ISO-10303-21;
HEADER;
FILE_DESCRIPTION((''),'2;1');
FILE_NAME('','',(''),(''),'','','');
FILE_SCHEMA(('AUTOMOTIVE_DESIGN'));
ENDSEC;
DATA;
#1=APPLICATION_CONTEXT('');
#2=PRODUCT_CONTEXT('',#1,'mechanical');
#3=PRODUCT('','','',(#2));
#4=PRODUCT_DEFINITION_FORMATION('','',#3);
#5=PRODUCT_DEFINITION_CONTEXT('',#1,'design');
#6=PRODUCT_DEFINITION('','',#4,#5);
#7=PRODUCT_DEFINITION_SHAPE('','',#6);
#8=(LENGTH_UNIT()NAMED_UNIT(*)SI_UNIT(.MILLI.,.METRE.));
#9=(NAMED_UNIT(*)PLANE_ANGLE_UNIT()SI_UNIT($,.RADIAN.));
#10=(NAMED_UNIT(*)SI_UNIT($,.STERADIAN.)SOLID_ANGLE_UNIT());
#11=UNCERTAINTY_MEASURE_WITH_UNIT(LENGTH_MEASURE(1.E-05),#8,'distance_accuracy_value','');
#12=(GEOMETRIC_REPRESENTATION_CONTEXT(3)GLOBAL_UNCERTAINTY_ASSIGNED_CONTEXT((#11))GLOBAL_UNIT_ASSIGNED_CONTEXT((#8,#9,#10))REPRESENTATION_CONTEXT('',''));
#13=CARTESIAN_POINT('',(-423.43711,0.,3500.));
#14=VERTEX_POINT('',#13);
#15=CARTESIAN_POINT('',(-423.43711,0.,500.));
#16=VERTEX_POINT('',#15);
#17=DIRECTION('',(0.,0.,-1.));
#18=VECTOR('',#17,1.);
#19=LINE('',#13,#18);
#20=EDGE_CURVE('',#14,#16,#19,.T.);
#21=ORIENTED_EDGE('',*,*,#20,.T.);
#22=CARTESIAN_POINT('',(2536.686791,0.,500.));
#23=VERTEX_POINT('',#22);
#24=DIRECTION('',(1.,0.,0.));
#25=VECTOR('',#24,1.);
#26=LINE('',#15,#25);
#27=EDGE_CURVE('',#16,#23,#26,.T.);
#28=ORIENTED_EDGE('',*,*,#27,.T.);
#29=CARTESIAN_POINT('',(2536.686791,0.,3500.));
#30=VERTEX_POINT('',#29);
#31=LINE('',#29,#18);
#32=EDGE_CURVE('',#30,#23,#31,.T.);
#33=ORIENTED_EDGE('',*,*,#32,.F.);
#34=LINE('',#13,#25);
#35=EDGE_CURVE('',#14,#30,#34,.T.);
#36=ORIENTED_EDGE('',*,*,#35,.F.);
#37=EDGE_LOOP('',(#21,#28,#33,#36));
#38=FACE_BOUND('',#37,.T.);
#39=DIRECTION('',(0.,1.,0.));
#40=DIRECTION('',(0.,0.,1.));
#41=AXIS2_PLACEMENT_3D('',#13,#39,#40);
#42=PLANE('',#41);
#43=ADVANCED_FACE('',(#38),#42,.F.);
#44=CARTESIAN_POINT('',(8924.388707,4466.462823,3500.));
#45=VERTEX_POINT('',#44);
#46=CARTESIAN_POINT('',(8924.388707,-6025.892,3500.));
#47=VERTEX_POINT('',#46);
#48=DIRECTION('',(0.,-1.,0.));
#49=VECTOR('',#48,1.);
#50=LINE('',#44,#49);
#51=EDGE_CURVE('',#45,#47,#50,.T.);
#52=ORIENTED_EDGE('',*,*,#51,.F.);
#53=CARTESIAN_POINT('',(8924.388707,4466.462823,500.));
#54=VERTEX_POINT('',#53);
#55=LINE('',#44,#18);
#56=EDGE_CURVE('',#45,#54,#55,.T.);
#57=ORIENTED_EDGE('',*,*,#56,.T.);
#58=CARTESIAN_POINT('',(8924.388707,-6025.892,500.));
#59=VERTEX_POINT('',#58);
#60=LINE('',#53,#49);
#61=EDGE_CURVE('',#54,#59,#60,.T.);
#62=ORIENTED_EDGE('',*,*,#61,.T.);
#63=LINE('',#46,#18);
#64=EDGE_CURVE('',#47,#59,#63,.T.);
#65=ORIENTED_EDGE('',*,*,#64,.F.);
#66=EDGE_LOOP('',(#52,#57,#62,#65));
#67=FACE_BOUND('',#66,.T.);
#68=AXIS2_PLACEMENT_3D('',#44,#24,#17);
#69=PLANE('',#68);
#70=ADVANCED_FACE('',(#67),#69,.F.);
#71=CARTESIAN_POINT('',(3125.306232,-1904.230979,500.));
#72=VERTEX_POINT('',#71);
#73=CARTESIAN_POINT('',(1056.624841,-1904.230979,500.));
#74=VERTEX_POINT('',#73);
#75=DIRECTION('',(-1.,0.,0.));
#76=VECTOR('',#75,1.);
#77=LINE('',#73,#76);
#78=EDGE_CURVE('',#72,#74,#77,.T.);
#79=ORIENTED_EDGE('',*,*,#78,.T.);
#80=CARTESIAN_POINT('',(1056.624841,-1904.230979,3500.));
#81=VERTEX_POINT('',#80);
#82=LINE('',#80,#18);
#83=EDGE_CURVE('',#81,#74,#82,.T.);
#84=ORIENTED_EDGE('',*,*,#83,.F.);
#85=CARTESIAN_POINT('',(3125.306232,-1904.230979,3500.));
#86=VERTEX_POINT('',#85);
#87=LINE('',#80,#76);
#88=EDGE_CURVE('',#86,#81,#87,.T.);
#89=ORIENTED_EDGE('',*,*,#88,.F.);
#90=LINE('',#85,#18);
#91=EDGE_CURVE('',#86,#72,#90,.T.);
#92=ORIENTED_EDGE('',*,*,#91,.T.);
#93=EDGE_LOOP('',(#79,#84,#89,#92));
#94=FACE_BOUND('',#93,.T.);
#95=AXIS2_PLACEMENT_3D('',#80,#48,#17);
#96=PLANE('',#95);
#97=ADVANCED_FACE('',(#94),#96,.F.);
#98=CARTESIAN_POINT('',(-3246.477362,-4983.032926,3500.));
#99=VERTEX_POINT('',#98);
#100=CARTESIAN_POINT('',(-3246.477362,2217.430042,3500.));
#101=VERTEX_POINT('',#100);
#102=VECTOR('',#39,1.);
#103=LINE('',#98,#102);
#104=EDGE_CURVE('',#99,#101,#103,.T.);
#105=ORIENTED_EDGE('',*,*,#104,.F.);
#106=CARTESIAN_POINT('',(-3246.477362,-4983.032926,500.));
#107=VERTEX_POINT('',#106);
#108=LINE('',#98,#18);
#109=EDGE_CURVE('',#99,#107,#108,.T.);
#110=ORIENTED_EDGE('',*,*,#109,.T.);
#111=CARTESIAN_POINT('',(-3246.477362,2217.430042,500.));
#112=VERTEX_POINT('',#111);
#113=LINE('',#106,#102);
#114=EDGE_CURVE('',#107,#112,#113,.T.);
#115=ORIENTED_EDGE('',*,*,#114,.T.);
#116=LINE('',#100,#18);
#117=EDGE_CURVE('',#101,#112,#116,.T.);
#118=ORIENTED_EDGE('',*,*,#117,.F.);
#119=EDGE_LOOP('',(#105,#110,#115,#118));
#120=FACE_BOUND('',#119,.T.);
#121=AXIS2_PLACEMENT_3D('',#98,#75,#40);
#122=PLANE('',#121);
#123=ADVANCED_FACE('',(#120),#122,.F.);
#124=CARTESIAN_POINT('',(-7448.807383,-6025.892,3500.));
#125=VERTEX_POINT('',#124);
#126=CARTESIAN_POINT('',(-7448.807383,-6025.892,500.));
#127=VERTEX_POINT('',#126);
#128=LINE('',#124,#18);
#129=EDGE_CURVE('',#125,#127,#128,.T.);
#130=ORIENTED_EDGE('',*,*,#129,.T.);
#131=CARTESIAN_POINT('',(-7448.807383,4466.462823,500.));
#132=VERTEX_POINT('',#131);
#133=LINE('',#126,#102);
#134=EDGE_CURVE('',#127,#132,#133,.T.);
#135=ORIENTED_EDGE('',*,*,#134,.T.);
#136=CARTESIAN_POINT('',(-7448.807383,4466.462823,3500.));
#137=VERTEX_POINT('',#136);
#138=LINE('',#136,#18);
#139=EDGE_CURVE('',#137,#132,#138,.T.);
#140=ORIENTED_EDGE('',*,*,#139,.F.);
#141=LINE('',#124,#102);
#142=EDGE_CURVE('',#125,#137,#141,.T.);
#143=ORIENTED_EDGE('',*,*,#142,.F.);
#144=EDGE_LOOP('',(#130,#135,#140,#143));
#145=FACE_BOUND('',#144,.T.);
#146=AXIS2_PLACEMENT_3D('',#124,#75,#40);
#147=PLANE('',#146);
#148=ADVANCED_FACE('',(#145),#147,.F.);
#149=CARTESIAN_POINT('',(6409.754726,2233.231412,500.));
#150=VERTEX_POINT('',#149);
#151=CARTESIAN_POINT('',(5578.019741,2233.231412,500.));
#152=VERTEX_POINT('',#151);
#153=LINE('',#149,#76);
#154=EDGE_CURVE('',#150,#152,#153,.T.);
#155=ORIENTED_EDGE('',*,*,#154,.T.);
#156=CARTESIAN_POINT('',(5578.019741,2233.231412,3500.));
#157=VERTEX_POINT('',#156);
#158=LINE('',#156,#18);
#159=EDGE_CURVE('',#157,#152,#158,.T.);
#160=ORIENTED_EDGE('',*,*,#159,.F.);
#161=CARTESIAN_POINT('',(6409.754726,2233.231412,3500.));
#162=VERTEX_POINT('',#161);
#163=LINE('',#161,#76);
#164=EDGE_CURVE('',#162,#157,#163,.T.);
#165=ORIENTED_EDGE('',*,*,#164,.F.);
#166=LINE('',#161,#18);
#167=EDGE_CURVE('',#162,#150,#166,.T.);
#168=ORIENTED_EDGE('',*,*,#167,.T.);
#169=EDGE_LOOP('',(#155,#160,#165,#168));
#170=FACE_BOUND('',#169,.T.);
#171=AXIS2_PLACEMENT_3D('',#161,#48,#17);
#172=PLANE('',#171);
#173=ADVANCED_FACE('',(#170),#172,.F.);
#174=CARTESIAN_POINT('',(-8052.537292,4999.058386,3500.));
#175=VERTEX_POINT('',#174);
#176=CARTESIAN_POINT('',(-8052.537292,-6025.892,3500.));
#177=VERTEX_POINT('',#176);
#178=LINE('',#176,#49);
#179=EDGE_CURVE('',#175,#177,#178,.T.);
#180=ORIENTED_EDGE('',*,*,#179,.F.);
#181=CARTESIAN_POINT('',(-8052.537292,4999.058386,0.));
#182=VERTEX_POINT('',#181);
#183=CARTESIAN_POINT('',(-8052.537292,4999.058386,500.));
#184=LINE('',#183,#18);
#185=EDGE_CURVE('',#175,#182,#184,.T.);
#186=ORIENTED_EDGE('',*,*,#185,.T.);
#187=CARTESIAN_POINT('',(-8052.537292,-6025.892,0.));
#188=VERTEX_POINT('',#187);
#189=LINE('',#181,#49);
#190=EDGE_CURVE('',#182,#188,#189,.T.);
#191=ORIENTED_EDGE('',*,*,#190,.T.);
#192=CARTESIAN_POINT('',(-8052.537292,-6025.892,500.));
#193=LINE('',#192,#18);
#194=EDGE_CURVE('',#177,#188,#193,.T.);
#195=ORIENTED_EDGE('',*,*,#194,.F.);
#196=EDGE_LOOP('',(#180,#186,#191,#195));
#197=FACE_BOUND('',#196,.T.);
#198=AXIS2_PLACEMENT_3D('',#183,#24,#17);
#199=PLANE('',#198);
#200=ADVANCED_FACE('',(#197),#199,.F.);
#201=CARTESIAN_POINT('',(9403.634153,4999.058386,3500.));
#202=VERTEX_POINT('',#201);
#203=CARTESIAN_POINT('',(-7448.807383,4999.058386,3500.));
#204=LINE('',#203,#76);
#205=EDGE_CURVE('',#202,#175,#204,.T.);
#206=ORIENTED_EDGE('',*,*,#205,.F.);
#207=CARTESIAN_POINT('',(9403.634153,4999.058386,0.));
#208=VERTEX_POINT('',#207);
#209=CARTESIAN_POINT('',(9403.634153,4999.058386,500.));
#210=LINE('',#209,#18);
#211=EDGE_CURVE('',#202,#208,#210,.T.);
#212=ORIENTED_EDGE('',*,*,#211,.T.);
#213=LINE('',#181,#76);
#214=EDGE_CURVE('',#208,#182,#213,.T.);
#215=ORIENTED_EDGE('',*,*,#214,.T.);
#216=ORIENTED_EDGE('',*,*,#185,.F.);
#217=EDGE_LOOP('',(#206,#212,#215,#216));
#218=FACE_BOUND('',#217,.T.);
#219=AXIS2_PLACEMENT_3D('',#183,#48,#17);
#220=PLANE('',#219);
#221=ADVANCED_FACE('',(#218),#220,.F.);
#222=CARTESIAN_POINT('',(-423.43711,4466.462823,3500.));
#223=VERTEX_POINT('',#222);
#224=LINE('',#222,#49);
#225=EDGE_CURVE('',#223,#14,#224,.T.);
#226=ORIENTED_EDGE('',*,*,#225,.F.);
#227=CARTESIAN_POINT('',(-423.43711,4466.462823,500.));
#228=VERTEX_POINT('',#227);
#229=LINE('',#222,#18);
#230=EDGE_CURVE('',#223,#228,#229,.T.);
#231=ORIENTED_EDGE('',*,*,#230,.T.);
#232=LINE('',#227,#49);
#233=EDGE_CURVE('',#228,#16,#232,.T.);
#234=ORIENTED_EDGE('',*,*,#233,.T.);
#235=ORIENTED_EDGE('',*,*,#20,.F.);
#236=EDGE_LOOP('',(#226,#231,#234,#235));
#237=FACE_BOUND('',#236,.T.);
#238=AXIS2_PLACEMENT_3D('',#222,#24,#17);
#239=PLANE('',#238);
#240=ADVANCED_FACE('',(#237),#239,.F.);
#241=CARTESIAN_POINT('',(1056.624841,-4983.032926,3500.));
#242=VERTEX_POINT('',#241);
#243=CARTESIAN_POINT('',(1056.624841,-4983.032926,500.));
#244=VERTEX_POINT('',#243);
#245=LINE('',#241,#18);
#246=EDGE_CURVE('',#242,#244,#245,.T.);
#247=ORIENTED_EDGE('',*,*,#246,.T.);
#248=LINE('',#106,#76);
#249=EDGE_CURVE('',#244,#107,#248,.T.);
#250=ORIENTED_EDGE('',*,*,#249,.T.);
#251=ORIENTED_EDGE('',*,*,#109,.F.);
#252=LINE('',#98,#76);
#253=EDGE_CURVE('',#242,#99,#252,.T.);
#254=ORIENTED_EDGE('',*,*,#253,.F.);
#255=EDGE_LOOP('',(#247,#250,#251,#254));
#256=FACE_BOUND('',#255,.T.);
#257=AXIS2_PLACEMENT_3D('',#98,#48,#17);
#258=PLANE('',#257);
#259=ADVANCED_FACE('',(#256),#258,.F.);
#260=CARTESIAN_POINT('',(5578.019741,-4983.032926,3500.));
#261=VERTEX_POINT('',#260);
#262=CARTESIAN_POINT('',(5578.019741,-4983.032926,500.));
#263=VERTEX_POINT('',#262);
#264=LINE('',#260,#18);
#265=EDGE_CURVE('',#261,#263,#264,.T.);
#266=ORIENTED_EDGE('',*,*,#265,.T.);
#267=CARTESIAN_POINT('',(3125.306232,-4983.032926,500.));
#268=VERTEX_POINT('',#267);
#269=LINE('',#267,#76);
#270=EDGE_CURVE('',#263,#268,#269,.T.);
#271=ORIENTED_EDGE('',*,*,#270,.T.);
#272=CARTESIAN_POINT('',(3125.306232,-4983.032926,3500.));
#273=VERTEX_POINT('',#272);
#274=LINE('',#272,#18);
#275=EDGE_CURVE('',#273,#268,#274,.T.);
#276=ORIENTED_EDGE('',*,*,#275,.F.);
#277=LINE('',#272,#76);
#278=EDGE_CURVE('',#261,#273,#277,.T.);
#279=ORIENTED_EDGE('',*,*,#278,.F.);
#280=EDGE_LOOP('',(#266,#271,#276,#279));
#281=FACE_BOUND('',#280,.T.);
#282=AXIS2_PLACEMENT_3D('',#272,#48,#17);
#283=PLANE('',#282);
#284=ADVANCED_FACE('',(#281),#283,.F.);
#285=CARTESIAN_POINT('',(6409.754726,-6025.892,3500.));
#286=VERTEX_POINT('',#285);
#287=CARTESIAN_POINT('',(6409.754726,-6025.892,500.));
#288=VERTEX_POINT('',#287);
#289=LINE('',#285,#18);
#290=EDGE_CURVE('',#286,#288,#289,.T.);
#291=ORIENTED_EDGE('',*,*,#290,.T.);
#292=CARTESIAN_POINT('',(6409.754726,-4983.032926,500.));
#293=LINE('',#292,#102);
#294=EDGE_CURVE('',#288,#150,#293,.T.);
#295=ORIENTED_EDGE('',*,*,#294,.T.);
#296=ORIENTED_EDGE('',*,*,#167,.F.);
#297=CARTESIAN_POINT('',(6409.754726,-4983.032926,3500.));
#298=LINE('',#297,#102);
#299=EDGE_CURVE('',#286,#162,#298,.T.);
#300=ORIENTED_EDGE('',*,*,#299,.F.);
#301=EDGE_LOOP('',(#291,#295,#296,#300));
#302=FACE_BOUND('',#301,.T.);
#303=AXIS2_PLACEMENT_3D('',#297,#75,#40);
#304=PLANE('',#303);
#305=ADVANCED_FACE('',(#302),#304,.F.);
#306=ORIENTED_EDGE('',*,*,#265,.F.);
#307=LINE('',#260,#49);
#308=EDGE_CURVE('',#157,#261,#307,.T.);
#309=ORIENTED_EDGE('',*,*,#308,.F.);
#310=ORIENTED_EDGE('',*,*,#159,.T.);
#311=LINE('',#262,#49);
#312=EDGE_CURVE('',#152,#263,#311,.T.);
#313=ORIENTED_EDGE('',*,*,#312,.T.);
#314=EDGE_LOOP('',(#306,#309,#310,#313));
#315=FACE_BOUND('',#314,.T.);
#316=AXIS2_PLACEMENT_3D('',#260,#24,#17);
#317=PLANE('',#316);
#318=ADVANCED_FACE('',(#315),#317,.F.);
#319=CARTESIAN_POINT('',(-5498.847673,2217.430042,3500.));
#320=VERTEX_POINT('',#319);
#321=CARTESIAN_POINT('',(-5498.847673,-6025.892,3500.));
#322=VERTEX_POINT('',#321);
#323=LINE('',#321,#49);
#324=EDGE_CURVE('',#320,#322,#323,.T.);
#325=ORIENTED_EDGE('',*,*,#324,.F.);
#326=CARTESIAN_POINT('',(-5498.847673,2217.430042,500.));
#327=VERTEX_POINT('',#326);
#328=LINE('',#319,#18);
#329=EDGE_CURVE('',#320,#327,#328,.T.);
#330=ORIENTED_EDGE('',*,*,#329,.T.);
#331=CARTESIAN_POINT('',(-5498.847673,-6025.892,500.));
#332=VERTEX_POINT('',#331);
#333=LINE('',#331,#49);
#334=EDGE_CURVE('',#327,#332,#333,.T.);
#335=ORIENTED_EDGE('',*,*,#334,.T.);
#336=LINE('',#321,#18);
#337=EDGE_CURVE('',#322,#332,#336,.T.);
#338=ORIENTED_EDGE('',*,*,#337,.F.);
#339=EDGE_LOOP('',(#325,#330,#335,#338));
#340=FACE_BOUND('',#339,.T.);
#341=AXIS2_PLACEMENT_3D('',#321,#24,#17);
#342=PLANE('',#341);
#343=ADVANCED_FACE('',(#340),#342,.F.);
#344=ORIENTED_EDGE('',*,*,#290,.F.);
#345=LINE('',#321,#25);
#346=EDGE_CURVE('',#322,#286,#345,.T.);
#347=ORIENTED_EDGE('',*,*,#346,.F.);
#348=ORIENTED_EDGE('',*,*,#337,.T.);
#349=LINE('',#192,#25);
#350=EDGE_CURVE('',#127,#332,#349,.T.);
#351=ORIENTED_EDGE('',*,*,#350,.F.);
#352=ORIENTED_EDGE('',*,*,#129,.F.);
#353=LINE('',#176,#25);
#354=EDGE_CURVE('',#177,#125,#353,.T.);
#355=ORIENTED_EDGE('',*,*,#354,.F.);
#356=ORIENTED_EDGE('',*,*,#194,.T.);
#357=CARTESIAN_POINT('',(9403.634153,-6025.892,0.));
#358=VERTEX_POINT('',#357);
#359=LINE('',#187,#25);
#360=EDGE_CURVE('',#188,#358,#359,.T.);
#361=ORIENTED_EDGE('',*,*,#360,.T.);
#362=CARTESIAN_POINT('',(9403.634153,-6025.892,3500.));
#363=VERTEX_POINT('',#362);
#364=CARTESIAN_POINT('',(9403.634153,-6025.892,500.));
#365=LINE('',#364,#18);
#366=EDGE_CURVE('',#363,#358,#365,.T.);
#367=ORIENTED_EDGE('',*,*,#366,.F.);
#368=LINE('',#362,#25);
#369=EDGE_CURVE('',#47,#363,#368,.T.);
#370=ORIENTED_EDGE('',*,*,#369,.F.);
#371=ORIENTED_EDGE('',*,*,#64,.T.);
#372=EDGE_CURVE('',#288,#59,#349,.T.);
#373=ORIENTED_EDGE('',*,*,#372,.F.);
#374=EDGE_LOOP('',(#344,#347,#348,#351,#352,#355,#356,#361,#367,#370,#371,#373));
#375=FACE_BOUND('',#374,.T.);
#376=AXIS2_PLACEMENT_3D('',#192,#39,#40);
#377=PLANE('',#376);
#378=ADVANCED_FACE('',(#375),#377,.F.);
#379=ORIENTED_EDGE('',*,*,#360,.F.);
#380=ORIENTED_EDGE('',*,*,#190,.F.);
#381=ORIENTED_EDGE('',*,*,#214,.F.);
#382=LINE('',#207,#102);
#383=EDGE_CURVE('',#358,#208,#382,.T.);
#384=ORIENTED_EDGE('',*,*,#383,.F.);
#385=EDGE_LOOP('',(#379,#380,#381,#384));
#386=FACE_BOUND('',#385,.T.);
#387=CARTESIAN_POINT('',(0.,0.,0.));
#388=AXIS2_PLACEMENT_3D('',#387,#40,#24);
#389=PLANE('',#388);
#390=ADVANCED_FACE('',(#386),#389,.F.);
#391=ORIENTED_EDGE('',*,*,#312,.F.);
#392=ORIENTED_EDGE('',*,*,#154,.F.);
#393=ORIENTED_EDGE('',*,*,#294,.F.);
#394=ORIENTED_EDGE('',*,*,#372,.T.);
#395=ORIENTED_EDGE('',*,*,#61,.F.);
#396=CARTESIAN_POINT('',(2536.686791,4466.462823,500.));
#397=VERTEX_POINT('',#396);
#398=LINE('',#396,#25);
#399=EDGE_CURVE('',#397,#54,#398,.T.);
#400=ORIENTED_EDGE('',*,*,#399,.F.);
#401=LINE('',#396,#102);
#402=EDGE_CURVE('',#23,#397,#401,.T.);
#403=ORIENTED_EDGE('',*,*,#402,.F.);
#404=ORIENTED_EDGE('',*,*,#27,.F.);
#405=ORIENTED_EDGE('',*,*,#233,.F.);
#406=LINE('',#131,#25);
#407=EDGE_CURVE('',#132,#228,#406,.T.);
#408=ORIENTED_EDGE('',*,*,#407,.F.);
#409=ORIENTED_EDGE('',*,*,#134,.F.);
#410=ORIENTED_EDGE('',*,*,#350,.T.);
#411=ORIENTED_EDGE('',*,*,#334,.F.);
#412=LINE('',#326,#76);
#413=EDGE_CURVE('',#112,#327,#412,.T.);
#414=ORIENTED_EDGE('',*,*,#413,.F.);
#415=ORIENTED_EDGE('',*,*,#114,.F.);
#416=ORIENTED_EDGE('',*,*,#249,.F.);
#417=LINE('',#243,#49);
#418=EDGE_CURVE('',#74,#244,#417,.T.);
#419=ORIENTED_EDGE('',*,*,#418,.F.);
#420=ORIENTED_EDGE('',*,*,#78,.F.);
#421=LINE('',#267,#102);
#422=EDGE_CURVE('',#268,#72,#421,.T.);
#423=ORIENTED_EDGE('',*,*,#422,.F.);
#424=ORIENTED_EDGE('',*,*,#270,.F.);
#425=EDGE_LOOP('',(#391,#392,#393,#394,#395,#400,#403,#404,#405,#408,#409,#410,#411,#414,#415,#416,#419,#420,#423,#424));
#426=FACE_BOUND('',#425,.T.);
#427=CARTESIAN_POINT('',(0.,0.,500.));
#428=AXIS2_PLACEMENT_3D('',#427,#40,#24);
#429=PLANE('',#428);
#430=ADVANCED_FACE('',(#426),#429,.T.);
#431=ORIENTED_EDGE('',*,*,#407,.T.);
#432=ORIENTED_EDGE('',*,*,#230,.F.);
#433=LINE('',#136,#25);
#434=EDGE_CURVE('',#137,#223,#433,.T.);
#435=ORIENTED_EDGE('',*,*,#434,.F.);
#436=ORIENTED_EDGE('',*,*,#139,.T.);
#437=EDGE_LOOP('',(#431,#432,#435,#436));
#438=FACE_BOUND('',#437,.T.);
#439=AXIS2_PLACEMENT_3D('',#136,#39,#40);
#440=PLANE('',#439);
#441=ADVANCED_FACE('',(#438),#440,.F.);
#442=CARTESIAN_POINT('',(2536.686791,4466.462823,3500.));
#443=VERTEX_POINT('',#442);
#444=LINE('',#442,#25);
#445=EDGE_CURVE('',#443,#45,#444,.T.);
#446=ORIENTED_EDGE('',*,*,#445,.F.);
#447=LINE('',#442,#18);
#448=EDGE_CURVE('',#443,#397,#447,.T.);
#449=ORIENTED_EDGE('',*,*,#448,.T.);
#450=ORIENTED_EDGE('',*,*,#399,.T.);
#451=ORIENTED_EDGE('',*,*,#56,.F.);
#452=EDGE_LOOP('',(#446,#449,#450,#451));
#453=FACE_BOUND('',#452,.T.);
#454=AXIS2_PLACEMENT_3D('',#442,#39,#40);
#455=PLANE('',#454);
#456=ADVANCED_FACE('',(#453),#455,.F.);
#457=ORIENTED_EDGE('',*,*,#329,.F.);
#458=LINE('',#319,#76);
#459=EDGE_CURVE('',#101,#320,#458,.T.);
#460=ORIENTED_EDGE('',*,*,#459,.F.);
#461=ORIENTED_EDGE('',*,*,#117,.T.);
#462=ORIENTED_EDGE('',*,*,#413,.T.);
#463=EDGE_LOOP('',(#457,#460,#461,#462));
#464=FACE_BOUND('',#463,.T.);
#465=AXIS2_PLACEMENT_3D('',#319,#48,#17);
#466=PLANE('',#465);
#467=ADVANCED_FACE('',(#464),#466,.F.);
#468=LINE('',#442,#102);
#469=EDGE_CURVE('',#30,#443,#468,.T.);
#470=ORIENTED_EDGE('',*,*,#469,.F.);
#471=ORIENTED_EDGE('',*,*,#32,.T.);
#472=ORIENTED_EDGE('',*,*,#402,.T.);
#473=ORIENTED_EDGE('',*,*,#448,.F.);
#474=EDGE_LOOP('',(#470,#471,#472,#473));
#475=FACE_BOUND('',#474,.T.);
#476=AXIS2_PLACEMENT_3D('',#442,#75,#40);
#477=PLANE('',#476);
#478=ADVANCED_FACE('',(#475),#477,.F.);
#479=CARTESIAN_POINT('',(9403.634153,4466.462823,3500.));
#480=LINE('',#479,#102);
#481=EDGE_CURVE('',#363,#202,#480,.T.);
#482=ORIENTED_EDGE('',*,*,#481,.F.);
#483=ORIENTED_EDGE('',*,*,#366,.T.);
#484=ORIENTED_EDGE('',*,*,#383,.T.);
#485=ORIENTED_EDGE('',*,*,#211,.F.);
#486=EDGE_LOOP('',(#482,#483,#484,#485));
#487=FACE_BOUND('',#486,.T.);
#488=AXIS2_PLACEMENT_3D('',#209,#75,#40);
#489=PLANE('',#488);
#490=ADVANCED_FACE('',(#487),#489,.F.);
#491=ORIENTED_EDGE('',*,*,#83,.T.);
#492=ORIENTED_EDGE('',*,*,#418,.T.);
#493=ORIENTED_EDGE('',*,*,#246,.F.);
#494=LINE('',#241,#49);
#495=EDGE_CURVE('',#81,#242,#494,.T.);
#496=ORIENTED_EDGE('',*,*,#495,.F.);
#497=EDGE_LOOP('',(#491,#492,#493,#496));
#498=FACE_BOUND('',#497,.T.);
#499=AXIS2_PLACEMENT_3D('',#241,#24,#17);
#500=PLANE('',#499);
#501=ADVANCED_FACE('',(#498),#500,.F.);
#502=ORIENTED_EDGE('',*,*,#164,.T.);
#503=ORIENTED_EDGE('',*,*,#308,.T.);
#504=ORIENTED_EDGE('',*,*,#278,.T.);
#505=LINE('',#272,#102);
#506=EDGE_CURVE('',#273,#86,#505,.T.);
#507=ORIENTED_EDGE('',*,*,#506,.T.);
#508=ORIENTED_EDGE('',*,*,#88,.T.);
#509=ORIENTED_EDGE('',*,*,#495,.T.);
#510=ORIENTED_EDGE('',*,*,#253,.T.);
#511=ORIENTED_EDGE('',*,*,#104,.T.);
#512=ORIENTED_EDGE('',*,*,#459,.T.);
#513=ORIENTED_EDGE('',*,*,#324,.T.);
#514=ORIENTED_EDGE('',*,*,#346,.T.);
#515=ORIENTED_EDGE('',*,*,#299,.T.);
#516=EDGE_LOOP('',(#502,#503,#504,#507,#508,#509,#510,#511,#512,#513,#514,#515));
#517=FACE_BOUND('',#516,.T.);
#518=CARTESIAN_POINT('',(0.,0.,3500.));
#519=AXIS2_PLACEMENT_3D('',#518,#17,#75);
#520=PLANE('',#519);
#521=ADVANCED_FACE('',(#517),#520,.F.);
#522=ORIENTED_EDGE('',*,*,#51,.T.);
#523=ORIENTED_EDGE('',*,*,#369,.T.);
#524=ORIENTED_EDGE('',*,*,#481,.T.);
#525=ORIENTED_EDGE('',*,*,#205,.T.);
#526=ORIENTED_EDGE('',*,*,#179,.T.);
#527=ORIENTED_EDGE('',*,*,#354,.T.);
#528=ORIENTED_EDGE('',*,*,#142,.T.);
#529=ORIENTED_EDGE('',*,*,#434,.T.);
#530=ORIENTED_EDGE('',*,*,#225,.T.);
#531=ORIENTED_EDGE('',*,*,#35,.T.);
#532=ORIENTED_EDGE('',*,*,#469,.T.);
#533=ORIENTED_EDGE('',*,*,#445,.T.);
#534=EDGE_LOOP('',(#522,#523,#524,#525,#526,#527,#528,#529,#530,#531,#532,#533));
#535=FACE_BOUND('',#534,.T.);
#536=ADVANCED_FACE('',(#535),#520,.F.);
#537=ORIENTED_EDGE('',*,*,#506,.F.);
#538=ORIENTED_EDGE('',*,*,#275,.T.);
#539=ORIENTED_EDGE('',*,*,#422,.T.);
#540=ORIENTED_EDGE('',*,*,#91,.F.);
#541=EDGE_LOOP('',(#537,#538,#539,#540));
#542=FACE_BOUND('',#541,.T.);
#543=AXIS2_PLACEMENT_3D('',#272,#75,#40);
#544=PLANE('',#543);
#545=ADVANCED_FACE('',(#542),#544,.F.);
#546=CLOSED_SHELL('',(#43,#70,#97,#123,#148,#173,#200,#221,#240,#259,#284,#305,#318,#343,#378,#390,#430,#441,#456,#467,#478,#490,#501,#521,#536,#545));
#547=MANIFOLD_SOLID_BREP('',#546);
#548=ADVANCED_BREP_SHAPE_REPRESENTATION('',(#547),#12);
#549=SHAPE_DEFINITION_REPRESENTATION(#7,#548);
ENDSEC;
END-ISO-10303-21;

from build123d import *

# Parameters (mm, degrees)
SKETCH1_W           = 17456.171444087
SKETCH1_H           = 11024.95038574
BOSS_EXTRUDE1_DEPTH = 500
BOSS_EXTRUDE2_DEPTH = 3000


with BuildPart() as part:
    # Sketch1 → Boss-Extrude1 (new body)
    with BuildSketch(Plane.XY):
        with Locations((675.548430499, -513.416807179)):
            Rectangle(SKETCH1_W, SKETCH1_H)
    extrude(amount=BOSS_EXTRUDE1_DEPTH)

    # Sketch2 → Boss-Extrude2 (add)
    with BuildSketch(Plane.XY.offset(500)):
        Polygon((-8052.537291545, -6025.892000049), (-7448.807383296, -6025.892000049), (-7448.807383296, 4466.462823429), (-423.437109904, 4466.462823429), (-423.437109904, 0), (2536.686791274, 0), (2536.686791274, 4466.462823429), (8924.388706678, 4466.462823429), (8924.388706678, -6025.892000049), (9403.634152542, -6025.892000049), (9403.634152542, 4466.462823429), (9403.634152542, 4999.058385691), (-7448.807383296, 4999.058385691), (-8052.537291545, 4999.058385691), align=None)
        Polygon((3125.306231796, -4983.032925661), (5578.019741258, -4983.032925661), (5578.019741258, 2233.231411715), (6409.754725538, 2233.231411715), (6409.754725538, -4983.032925661), (6409.754725538, -6025.892000049), (-3246.47736203, -6025.892000049), (-5498.847673456, -6025.892000049), (-5498.847673456, 2217.430041705), (-3246.47736203, 2217.430041705), (-3246.47736203, -4983.032925661), (1056.624840685, -4983.032925661), (1056.624840685, -1904.230979172), (3125.306231796, -1904.230979172), align=None)
    extrude(amount=BOSS_EXTRUDE2_DEPTH)


solid = part.part
